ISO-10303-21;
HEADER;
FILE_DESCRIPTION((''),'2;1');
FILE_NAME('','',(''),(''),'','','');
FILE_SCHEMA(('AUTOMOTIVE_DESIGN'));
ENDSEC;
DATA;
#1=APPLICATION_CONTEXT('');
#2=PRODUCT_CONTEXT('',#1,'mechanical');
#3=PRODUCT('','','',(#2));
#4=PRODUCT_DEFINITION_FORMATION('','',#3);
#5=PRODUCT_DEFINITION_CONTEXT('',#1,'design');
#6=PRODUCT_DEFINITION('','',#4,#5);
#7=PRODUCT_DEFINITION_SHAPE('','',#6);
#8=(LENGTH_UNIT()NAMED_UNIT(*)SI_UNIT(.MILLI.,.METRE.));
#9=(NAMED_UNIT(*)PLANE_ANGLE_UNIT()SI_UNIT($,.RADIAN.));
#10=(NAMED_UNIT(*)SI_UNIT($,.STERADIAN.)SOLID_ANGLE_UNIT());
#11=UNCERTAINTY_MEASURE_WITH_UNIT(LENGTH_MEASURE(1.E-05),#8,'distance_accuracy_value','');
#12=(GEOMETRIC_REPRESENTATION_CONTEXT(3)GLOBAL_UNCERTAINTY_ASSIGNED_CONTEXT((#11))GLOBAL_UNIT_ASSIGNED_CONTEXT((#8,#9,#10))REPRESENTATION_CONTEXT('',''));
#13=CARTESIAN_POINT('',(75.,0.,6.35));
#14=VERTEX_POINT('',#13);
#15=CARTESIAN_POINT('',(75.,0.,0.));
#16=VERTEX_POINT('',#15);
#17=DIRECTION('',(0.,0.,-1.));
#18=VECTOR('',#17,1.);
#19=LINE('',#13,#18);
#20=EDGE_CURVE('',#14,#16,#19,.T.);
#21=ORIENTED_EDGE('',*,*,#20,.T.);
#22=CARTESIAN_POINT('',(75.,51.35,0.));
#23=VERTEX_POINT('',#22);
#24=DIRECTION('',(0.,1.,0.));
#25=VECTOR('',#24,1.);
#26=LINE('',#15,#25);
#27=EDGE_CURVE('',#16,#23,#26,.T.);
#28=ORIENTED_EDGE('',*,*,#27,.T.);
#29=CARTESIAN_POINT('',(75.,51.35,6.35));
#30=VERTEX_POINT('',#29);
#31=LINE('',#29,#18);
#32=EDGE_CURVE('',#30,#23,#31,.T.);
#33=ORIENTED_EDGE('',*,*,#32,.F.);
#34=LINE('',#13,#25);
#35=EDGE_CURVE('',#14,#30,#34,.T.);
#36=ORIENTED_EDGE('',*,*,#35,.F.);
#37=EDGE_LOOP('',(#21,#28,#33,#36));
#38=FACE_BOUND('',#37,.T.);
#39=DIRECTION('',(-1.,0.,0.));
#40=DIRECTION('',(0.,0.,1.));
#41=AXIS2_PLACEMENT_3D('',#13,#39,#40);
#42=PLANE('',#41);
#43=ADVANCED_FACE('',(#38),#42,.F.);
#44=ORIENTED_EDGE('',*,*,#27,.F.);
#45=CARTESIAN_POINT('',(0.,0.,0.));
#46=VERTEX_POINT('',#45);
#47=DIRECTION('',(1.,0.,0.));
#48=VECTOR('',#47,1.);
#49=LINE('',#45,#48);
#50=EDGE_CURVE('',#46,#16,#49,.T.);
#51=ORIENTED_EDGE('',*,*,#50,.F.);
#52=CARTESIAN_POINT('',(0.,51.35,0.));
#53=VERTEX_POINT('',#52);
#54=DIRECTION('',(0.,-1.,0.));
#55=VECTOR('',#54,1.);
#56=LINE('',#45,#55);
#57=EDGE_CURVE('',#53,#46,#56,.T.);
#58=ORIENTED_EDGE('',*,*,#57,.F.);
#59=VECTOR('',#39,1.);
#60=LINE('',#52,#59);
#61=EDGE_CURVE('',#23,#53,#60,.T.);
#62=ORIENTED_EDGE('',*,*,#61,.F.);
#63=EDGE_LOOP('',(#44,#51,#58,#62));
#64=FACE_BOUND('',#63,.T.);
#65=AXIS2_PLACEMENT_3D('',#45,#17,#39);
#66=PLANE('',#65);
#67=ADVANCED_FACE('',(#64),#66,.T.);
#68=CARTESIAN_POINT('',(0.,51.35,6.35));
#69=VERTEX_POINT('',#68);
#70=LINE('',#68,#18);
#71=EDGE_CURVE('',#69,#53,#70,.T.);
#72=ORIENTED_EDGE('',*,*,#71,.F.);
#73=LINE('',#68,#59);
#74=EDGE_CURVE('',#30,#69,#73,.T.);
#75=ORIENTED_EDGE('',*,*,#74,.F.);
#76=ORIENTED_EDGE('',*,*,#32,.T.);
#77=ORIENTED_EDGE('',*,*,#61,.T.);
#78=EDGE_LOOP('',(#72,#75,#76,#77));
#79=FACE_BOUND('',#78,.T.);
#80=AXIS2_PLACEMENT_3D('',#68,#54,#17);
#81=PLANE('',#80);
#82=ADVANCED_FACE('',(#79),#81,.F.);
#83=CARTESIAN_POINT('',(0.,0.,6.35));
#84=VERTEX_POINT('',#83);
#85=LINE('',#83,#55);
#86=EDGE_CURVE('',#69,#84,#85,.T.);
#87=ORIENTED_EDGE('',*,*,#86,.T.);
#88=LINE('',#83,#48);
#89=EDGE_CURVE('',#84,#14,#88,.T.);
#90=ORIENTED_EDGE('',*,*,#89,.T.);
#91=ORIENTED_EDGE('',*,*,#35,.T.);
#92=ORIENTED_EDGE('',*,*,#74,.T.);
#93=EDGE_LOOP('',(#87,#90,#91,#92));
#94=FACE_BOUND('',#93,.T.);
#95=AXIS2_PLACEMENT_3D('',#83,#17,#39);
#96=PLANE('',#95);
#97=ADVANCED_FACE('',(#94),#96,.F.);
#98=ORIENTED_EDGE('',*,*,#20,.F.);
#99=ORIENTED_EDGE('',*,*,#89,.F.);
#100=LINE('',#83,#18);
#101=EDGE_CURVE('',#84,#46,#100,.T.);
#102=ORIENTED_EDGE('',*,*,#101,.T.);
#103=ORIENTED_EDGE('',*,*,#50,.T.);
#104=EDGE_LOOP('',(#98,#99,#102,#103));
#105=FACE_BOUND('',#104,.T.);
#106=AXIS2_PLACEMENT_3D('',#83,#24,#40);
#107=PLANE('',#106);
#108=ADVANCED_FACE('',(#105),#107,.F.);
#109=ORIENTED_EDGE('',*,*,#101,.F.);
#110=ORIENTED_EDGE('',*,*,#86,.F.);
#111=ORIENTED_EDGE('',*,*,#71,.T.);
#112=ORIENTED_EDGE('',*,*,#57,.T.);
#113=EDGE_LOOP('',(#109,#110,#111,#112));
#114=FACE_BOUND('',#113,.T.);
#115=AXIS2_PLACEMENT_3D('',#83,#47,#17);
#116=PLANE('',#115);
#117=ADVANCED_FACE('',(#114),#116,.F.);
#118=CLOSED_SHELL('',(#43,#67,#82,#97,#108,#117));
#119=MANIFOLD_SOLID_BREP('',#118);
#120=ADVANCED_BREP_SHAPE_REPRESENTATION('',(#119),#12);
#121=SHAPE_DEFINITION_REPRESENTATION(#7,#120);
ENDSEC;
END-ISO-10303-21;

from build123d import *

# Parameters (mm, degrees)
SKETCH1_W           = 75
SKETCH1_H           = 51.35
BOSS_EXTRUDE1_DEPTH = 6.35


with BuildPart() as part:
    # Sketch1 → Boss-Extrude1 (new body)
    with BuildSketch(Plane.XY):
        with Locations((37.5, 25.675)):
            Rectangle(SKETCH1_W, SKETCH1_H)
    extrude(amount=BOSS_EXTRUDE1_DEPTH)


solid = part.part
